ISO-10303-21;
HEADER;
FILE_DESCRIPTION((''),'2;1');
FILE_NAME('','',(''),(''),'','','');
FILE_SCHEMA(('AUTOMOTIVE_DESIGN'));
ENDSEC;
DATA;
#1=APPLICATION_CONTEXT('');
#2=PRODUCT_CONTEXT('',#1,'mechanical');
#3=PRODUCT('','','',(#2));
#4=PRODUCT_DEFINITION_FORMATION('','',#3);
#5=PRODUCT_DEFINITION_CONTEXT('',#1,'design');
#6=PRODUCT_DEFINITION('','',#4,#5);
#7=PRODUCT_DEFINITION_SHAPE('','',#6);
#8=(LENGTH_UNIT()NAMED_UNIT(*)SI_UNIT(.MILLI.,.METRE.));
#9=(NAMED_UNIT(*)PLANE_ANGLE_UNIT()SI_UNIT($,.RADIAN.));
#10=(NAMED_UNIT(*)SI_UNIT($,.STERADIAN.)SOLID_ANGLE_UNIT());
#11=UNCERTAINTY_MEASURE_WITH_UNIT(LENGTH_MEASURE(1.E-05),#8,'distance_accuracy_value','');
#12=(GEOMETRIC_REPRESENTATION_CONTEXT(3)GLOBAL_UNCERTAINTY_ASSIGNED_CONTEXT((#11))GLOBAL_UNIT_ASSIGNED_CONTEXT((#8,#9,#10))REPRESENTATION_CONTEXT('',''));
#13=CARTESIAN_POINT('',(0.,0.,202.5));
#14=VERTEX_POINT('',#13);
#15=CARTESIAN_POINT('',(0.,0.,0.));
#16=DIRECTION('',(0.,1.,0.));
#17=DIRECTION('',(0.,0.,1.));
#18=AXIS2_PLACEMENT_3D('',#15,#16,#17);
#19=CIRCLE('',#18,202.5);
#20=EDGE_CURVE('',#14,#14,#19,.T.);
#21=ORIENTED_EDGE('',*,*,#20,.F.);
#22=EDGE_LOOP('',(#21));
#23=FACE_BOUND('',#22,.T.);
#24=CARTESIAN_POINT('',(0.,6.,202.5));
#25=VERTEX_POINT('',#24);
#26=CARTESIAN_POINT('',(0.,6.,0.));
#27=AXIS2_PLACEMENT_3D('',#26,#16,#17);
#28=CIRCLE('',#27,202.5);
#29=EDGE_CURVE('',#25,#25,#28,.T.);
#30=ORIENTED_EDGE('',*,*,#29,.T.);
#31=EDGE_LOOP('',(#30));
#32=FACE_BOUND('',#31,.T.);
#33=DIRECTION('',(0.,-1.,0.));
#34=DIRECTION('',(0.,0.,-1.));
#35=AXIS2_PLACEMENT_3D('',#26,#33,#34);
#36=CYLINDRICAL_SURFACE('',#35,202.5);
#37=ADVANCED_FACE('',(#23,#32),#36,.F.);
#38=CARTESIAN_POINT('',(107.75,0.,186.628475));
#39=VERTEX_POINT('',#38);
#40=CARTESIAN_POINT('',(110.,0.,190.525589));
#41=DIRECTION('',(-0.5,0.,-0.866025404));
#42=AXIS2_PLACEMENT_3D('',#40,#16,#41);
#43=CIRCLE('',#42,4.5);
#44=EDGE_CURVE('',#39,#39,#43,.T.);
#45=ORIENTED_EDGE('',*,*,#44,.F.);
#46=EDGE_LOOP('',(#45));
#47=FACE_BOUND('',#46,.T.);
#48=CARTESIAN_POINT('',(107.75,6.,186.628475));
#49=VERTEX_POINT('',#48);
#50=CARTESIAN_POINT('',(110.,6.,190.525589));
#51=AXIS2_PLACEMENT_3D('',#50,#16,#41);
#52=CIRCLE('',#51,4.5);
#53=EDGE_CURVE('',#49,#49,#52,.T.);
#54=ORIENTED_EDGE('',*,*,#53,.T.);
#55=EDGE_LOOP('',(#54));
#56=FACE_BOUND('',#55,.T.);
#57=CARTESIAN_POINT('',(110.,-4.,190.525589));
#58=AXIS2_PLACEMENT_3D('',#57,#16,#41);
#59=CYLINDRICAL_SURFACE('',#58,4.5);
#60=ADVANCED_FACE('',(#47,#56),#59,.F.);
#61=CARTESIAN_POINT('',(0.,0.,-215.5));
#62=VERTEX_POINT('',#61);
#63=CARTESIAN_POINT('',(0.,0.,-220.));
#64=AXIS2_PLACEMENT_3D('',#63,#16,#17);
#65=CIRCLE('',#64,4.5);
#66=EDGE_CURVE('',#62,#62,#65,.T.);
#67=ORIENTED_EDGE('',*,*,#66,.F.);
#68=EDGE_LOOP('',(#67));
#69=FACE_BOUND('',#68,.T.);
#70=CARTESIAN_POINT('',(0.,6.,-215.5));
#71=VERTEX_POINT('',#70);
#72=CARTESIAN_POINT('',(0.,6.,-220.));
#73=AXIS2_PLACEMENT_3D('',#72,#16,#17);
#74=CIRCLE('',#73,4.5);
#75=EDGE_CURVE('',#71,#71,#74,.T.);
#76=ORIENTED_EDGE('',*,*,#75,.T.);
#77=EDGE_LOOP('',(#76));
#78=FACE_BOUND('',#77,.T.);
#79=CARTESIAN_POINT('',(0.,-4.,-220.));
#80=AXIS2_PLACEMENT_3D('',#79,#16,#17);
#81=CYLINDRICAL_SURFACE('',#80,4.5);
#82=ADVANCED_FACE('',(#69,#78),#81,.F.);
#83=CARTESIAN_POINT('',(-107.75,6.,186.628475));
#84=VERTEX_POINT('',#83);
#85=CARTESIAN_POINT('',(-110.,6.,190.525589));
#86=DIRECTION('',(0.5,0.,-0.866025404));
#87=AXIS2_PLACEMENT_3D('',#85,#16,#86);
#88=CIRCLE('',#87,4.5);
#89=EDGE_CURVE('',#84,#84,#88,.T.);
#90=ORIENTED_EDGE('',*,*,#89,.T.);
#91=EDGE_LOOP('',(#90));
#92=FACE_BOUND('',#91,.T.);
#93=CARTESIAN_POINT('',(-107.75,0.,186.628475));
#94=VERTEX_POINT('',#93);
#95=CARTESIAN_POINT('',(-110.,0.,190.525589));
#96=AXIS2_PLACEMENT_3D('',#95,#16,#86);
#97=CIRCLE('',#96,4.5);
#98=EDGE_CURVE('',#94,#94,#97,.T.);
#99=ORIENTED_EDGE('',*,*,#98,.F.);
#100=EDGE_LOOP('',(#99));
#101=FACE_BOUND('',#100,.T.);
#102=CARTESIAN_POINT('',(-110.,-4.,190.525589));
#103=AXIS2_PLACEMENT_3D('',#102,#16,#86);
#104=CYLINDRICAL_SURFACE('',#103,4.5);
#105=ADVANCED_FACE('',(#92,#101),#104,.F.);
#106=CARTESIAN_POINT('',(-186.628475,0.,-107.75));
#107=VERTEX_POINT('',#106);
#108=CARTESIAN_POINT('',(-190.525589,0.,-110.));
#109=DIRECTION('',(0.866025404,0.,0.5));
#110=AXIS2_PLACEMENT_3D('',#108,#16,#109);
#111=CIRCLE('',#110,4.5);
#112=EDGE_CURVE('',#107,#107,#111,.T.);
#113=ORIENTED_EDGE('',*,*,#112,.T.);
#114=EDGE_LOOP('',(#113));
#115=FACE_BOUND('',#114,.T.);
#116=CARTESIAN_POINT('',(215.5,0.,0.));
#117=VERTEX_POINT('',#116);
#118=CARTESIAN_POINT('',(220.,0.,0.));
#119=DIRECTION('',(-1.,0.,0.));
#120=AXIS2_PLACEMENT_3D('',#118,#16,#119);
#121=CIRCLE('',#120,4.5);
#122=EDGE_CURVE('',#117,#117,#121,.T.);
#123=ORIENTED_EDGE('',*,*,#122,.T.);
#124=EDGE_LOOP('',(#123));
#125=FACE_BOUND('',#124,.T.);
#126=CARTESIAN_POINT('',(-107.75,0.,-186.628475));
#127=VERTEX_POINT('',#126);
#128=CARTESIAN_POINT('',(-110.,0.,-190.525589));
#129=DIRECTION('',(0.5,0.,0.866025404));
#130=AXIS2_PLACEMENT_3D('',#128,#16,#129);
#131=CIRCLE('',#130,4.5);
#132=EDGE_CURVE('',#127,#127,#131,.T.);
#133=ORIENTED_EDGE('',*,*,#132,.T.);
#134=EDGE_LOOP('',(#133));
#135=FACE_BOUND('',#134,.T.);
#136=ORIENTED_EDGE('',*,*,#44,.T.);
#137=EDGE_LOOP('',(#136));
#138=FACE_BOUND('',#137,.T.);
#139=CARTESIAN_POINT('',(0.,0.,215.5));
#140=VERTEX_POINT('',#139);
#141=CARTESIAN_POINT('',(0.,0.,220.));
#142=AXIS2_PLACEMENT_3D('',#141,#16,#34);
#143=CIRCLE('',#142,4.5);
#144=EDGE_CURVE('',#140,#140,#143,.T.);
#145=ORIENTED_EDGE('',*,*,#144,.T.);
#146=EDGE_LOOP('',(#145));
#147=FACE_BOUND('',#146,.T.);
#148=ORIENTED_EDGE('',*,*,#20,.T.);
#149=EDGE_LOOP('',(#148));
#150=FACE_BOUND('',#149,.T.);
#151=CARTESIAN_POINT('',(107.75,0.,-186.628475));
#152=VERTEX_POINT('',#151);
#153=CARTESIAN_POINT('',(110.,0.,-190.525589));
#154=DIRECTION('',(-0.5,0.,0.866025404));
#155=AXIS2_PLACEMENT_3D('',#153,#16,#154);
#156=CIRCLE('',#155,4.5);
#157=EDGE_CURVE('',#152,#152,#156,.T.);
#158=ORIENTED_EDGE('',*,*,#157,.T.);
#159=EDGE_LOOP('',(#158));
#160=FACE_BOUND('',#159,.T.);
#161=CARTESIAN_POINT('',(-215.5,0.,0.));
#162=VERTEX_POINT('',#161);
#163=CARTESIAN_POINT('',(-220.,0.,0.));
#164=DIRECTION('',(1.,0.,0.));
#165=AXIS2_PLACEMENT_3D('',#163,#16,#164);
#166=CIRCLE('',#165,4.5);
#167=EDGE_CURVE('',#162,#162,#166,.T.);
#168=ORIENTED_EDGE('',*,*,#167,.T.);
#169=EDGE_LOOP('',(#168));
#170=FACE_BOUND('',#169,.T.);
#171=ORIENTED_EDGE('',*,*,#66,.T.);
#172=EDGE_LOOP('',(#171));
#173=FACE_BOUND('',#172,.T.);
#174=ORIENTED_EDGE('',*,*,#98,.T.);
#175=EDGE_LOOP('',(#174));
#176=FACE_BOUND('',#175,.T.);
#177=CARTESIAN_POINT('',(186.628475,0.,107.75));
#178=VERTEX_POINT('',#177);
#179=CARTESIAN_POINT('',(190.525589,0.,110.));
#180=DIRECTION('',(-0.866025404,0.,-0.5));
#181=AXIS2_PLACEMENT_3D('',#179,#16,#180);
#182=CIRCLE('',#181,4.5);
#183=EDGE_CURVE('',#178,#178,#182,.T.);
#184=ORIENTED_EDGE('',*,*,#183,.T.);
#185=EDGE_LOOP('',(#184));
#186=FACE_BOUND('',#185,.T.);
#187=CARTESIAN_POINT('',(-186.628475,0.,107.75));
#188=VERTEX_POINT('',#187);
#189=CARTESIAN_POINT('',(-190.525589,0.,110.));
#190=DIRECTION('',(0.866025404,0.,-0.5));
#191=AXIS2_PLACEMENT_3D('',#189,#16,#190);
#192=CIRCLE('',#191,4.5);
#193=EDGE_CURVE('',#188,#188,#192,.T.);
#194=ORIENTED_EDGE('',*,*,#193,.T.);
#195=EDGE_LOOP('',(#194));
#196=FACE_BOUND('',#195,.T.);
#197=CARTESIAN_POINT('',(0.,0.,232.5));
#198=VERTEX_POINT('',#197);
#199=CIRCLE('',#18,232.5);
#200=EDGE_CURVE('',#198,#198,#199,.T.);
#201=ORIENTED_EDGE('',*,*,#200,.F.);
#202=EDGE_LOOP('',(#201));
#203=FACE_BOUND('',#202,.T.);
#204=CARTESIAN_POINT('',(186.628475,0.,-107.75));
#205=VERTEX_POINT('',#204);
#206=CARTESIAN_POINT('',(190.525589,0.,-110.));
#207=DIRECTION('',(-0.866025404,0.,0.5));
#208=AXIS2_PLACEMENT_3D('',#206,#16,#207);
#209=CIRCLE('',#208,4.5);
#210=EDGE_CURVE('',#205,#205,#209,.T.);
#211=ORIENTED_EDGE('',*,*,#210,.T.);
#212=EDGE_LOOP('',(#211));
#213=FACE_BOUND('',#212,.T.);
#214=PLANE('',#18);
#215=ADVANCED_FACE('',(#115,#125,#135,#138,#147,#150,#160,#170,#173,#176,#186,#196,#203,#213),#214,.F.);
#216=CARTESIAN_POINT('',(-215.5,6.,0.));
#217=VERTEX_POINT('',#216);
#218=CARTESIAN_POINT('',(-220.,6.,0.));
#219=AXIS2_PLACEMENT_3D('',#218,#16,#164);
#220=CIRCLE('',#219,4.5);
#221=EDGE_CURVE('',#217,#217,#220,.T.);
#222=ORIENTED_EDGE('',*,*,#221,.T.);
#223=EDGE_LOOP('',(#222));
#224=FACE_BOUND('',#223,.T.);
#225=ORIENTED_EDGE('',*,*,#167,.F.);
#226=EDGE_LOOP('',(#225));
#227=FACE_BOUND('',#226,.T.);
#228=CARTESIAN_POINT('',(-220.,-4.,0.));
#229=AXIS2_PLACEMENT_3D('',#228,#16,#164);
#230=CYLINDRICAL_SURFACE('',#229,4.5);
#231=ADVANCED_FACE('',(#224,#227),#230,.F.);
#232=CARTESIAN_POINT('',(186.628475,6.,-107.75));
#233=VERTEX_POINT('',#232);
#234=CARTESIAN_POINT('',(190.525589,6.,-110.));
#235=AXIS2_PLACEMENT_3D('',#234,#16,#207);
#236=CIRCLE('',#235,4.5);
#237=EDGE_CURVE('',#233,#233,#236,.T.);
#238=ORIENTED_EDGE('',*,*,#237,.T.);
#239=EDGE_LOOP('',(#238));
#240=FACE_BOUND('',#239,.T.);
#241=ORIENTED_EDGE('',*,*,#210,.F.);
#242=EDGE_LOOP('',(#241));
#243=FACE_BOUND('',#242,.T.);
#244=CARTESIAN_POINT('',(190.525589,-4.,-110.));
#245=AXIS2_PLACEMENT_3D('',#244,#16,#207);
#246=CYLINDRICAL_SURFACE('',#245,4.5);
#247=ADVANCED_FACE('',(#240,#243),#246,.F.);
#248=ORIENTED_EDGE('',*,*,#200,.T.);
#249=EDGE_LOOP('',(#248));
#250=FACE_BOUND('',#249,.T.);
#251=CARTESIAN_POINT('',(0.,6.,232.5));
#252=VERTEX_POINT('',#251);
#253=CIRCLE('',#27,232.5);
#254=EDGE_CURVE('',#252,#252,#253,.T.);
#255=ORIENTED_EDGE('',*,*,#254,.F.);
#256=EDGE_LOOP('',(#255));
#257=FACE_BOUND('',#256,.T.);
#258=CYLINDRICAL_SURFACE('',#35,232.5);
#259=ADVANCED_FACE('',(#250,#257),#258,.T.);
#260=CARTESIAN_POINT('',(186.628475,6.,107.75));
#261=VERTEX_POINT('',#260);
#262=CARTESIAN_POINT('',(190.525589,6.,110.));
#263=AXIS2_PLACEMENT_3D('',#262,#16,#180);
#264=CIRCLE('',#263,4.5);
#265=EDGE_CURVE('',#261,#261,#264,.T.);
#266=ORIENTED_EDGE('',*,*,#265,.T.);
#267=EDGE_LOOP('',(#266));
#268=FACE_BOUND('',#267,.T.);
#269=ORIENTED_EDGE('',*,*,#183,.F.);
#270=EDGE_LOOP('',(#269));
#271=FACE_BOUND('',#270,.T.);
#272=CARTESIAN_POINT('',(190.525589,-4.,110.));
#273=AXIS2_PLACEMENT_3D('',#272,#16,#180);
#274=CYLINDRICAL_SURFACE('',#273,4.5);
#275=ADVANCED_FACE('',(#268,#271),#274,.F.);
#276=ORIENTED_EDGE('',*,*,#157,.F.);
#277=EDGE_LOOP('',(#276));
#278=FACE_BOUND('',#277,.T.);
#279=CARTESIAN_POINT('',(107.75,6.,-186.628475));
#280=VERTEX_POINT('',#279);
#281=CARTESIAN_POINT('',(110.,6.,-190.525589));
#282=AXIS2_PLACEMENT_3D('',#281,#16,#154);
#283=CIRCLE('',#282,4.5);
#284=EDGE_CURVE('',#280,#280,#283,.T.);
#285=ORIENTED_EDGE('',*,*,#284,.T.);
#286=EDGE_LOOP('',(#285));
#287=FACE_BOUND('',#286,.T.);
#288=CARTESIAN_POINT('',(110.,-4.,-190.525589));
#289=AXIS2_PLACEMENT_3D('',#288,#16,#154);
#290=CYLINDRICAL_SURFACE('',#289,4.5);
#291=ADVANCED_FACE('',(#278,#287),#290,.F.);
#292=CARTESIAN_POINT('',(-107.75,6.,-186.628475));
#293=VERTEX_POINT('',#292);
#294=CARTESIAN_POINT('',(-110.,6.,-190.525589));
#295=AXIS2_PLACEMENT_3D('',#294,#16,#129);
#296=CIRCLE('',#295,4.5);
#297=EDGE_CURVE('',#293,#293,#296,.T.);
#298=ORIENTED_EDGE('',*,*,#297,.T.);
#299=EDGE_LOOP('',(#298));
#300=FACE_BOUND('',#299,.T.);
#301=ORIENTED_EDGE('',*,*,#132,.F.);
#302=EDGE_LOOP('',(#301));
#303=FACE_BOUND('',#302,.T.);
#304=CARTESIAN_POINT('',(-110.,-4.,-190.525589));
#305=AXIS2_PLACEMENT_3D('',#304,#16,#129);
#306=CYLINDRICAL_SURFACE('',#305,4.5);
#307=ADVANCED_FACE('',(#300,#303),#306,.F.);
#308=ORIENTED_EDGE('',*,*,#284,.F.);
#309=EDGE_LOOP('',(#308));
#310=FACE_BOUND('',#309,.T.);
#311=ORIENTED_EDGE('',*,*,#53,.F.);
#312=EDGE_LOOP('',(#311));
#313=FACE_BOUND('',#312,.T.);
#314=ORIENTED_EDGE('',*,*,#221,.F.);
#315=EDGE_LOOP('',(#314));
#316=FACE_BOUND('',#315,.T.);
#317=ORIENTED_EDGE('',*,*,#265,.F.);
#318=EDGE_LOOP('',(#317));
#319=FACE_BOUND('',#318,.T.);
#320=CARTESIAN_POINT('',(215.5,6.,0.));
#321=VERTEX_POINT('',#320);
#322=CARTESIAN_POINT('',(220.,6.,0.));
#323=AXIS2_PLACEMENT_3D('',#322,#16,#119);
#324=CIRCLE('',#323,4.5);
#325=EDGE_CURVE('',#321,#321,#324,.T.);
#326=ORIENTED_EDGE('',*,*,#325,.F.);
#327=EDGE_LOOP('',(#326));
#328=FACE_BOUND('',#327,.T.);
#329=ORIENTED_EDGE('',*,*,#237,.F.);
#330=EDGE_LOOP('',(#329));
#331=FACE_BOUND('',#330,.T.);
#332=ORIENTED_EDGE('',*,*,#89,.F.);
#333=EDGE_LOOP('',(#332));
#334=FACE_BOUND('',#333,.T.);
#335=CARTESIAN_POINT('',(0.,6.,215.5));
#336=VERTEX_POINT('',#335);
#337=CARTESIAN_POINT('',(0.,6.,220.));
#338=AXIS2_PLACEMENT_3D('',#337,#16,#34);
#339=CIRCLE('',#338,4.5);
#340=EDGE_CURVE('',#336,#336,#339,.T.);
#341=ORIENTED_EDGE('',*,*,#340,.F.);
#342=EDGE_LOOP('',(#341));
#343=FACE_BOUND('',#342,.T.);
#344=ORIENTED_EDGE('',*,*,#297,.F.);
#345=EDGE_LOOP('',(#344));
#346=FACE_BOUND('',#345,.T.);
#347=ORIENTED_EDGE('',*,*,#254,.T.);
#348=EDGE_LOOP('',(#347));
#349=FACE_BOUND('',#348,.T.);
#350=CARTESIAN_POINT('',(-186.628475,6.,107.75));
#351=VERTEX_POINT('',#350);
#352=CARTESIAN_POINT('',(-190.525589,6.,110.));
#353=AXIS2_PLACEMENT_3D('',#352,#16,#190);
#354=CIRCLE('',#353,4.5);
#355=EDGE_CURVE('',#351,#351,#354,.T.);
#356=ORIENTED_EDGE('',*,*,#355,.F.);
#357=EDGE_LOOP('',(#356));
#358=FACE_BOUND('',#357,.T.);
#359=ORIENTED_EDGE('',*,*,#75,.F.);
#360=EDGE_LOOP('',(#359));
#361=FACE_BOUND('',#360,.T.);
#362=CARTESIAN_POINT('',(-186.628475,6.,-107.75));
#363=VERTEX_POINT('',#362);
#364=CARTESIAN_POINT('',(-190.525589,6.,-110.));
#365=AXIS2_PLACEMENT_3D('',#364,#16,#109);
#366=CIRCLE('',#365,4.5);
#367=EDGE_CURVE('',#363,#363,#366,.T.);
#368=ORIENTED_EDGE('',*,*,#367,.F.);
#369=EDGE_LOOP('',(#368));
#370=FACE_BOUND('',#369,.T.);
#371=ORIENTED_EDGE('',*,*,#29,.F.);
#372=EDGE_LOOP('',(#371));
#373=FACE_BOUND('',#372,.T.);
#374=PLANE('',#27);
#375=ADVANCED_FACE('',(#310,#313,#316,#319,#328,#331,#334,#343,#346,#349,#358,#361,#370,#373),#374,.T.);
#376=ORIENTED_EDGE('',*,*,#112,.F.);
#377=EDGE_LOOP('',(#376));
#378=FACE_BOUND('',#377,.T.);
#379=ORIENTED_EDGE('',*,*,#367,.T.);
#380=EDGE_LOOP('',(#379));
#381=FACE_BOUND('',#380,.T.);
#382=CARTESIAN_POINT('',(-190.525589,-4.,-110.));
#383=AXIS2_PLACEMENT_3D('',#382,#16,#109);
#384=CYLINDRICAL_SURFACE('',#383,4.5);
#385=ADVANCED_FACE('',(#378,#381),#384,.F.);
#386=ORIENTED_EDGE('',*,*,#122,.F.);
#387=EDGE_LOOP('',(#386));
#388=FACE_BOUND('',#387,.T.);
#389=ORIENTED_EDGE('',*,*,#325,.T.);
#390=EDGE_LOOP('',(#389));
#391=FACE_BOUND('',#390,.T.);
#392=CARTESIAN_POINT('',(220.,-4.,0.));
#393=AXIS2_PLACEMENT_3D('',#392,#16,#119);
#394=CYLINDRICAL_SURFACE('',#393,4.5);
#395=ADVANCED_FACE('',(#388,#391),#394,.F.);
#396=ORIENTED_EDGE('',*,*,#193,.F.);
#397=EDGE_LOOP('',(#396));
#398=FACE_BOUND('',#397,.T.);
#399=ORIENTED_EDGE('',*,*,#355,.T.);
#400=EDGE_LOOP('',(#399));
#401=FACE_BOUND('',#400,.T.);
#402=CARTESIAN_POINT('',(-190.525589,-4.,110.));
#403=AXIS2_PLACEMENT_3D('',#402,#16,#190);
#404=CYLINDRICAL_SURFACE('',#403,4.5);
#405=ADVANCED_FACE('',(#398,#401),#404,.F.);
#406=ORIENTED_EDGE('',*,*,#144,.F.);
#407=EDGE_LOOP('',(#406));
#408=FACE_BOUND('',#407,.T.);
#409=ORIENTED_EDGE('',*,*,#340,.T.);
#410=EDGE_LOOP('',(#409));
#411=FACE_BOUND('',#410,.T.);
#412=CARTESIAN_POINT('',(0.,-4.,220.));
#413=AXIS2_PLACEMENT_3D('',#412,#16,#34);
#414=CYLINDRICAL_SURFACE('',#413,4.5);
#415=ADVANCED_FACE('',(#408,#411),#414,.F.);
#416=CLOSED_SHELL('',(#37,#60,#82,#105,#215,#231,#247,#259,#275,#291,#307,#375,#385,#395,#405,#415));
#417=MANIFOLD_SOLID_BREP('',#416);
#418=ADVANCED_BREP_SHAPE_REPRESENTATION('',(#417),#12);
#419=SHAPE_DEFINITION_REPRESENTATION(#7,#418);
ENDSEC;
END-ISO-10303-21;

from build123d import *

# Parameters (mm, degrees)
SKETCH1_R           = 232.5
SKETCH1_R_2         = 202.5
BOSS_EXTRUDE1_DEPTH = 6
SKETCH2_R           = 4.5
CUT_EXTRUDE1_DEPTH  = 10
CIRPATTERN1_COUNT   = 12


with BuildPart() as part:
    # Sketch1 → Boss-Extrude1 (new body)
    with BuildSketch(Plane(origin=(0, 0, 0), x_dir=(1, 0, 0), z_dir=(0, 1, 0))):
        with Locations(Location((0, 0, 0), (0, 0, 270))):
            Circle(SKETCH1_R)
        with Locations(Location((0, 0, 0), (0, 0, 270))):
            Circle(SKETCH1_R_2, mode=Mode.SUBTRACT)
    extrude(amount=BOSS_EXTRUDE1_DEPTH)

    # Sketch2 → Cut-Extrude1 (cut)
    with BuildSketch(Plane(origin=(0, 6, 0), x_dir=(1, 0, 0), z_dir=(0, 1, 0))):
        with Locations(Location((0, 220, 0), (0, 0, 270))):
            Circle(SKETCH2_R)
    cut_extrude1 = extrude(amount=-CUT_EXTRUDE1_DEPTH, mode=Mode.SUBTRACT)

    # CirPattern1: Cut-Extrude1 ×12 about axis
    cirpattern1_axis = Axis((0, 0, 0), (0, 1, 0))
    for i in range(1, CIRPATTERN1_COUNT):
        add(cut_extrude1.rotate(cirpattern1_axis, i * 360 / CIRPATTERN1_COUNT), mode=Mode.SUBTRACT)


solid = part.part
